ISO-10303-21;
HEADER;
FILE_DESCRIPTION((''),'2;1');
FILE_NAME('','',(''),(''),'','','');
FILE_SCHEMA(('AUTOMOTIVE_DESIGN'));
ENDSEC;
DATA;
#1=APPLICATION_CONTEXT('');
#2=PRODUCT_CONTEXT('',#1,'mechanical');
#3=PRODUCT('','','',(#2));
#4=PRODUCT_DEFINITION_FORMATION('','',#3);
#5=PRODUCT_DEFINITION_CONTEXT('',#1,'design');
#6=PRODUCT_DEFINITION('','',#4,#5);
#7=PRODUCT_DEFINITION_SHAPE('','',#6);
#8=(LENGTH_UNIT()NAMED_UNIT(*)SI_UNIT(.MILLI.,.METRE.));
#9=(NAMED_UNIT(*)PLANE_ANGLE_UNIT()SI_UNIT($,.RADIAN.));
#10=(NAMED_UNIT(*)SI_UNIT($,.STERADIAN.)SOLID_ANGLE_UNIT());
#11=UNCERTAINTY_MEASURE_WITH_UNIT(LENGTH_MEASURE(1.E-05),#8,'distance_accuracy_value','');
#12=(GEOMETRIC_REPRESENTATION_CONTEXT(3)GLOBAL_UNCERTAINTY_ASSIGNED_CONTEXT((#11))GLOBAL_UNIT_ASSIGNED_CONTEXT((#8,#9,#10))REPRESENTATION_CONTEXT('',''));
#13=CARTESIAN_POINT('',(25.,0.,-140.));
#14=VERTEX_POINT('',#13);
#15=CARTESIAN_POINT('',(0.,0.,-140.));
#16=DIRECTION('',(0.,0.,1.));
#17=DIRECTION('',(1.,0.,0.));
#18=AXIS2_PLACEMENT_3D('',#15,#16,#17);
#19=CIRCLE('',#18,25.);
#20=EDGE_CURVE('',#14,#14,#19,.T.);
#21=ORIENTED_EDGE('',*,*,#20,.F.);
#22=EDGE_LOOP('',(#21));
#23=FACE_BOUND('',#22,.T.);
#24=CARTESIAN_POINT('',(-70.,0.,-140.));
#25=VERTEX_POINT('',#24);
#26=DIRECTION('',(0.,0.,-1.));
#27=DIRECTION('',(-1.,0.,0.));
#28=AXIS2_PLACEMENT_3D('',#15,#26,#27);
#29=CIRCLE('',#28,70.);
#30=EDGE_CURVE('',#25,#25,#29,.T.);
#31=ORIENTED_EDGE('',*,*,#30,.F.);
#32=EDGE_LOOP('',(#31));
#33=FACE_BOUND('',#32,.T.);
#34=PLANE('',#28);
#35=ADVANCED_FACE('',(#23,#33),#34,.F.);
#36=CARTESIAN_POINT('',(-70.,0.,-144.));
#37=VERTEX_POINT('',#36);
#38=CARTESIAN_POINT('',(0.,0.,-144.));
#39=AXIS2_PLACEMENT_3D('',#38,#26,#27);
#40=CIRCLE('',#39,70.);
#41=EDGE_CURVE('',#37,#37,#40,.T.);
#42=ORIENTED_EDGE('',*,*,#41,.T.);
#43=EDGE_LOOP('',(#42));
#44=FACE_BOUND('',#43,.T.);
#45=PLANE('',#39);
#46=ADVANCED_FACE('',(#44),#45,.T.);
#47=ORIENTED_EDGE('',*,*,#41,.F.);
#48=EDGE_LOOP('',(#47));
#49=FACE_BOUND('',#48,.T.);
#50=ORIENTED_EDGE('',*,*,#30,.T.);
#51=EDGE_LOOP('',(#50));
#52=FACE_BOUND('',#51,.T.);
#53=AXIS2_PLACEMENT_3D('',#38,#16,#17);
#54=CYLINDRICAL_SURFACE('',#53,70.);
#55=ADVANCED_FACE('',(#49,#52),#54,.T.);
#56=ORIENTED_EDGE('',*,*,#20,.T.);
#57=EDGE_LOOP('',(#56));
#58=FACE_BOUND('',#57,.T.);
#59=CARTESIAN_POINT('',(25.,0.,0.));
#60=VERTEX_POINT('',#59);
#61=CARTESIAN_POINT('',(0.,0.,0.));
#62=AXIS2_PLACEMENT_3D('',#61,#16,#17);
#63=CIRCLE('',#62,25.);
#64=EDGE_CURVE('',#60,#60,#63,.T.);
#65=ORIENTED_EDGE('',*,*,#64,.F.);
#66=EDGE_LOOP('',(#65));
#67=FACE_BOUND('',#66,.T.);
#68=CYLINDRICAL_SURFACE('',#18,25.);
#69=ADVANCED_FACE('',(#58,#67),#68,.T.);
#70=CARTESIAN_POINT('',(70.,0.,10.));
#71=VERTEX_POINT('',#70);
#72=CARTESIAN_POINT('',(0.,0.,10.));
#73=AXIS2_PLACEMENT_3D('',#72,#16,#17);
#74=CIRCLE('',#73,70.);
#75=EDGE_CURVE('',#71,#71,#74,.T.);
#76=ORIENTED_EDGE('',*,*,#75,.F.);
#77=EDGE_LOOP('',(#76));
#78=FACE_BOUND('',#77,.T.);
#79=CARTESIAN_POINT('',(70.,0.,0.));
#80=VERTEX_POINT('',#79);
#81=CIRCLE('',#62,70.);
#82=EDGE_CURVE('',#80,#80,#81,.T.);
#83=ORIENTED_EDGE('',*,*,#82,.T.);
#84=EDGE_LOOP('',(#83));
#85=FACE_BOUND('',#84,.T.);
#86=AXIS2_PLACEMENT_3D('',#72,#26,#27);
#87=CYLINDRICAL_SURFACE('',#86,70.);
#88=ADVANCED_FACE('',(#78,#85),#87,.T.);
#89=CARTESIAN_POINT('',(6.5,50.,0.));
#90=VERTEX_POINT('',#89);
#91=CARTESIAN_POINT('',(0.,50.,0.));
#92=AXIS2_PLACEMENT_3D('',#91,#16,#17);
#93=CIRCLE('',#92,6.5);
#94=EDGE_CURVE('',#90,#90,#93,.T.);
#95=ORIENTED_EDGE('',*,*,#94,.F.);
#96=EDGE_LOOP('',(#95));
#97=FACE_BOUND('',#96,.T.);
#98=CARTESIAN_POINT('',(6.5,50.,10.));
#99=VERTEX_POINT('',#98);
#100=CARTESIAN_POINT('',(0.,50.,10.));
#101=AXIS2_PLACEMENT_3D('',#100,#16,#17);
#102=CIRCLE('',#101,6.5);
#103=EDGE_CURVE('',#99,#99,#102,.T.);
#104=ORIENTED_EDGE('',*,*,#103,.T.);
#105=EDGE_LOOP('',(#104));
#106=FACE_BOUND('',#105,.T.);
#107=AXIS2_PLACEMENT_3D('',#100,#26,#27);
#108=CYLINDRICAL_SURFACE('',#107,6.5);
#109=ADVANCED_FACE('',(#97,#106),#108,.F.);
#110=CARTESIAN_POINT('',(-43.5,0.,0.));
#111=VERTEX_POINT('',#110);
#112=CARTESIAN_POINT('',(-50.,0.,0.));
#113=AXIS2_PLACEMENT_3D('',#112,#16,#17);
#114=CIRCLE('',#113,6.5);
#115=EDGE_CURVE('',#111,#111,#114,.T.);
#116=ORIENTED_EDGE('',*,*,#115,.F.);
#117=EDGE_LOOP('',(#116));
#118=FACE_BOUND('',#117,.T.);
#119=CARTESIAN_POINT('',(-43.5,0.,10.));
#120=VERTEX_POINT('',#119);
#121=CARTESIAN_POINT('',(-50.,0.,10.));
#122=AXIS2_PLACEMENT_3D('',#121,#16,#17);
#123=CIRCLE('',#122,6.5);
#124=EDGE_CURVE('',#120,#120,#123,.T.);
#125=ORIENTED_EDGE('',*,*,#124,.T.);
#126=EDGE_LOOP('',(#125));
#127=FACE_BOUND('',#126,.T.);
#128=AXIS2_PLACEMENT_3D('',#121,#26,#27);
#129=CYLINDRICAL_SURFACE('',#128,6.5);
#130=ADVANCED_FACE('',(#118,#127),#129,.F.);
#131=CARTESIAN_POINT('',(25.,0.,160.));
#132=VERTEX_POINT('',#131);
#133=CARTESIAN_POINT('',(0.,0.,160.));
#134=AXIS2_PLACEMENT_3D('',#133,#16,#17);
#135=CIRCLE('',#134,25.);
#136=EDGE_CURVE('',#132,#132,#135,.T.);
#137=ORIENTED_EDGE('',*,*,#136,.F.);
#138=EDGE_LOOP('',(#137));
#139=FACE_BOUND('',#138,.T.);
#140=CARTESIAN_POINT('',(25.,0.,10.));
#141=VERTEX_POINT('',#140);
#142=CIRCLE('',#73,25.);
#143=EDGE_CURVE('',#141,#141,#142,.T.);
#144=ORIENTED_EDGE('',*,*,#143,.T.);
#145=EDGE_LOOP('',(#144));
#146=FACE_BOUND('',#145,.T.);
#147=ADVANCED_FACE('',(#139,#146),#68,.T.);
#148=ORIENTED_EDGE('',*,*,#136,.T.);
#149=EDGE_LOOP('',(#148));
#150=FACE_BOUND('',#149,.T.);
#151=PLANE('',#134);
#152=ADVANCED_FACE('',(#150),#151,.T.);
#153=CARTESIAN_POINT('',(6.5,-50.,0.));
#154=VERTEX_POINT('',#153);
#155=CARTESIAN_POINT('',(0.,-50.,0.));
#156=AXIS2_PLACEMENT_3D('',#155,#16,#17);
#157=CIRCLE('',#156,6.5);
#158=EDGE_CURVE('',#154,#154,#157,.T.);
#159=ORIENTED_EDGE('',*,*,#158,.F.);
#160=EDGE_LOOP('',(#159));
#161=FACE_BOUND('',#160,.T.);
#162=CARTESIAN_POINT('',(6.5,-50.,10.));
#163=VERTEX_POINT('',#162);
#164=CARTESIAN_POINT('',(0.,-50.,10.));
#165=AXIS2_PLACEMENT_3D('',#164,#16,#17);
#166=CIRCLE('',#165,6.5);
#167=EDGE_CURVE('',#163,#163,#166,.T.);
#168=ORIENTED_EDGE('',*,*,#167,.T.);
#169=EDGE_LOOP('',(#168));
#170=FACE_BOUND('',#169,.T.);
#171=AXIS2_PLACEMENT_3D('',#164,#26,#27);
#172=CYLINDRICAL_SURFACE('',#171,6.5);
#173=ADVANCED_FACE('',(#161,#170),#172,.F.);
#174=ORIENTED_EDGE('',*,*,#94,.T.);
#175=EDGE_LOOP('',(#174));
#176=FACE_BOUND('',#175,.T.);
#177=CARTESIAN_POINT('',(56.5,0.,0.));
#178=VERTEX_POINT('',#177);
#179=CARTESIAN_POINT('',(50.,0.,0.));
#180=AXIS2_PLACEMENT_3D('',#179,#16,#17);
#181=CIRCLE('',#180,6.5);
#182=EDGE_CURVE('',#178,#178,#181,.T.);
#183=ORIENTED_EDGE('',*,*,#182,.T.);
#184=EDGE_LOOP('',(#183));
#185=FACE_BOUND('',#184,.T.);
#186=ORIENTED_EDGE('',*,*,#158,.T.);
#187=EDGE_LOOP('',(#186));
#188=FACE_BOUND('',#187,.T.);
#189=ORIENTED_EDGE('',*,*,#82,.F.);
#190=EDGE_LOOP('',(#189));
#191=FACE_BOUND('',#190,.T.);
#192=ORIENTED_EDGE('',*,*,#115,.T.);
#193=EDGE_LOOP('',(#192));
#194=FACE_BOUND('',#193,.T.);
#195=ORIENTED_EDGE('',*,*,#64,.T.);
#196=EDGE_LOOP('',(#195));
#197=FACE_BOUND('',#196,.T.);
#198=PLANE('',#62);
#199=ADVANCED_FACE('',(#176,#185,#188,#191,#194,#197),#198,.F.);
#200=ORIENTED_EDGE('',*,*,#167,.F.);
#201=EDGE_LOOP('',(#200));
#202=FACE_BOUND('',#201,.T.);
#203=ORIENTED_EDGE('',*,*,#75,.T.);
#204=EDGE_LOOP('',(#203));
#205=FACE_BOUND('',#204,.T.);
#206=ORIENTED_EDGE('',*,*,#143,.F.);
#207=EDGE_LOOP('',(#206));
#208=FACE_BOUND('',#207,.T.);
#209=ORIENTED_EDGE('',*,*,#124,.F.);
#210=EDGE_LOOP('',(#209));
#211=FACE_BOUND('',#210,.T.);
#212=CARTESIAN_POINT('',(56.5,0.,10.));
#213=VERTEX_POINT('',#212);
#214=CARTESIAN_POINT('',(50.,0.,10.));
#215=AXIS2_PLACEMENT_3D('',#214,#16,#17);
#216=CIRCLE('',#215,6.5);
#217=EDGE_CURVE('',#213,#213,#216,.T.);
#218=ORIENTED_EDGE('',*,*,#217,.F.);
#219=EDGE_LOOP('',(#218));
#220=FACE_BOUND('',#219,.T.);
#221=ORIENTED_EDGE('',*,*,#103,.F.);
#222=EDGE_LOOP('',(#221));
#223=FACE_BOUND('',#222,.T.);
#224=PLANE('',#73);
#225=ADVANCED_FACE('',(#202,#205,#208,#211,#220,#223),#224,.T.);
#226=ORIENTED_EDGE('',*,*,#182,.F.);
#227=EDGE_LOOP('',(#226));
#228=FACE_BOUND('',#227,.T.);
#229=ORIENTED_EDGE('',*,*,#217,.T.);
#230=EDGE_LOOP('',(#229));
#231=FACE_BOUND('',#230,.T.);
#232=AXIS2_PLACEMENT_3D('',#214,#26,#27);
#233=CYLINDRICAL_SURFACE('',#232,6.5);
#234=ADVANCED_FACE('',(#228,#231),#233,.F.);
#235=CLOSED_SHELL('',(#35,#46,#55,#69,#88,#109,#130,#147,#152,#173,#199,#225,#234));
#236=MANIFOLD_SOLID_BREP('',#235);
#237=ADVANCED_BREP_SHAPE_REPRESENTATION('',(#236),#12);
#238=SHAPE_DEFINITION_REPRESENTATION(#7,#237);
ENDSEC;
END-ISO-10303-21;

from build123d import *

# Parameters (mm, degrees)
SKETCH1_R                = 70
SKETCH1_R_2              = 6.5
BOSS_EXTRUDE1_DEPTH      = 10
SKETCH2_R                = 25
BOSS_EXTRUDE2_DEPTH      = 150
BOSS_EXTRUDE2_DEPTH_BACK = 150
SKETCH3_R                = 70
BOSS_EXTRUDE3_DEPTH      = 4


with BuildPart() as part:
    # Sketch1 → Boss-Extrude1 (new body)
    with BuildSketch(Plane.XY):
        Circle(SKETCH1_R)
        with Locations((0, 50)):
            Circle(SKETCH1_R_2, mode=Mode.SUBTRACT)
        with Locations((50, 0)):
            Circle(SKETCH1_R_2, mode=Mode.SUBTRACT)
        with Locations((0, -50)):
            Circle(SKETCH1_R_2, mode=Mode.SUBTRACT)
        with Locations((-50, 0)):
            Circle(SKETCH1_R_2, mode=Mode.SUBTRACT)
    extrude(amount=BOSS_EXTRUDE1_DEPTH)

    # Sketch2 → Boss-Extrude2 (add, two sides)
    with BuildSketch(Plane.XY.offset(10)) as boss_extrude2_sk:
        Circle(SKETCH2_R)
    extrude(amount=BOSS_EXTRUDE2_DEPTH)
    extrude(boss_extrude2_sk.sketch, amount=-BOSS_EXTRUDE2_DEPTH_BACK)

    # Sketch3 → Boss-Extrude3 (add)
    with BuildSketch(Plane(origin=(0, 0, -140), x_dir=(-1, 0, 0), z_dir=(0, 0, -1))):
        Circle(SKETCH3_R)
    extrude(amount=BOSS_EXTRUDE3_DEPTH)


solid = part.part
